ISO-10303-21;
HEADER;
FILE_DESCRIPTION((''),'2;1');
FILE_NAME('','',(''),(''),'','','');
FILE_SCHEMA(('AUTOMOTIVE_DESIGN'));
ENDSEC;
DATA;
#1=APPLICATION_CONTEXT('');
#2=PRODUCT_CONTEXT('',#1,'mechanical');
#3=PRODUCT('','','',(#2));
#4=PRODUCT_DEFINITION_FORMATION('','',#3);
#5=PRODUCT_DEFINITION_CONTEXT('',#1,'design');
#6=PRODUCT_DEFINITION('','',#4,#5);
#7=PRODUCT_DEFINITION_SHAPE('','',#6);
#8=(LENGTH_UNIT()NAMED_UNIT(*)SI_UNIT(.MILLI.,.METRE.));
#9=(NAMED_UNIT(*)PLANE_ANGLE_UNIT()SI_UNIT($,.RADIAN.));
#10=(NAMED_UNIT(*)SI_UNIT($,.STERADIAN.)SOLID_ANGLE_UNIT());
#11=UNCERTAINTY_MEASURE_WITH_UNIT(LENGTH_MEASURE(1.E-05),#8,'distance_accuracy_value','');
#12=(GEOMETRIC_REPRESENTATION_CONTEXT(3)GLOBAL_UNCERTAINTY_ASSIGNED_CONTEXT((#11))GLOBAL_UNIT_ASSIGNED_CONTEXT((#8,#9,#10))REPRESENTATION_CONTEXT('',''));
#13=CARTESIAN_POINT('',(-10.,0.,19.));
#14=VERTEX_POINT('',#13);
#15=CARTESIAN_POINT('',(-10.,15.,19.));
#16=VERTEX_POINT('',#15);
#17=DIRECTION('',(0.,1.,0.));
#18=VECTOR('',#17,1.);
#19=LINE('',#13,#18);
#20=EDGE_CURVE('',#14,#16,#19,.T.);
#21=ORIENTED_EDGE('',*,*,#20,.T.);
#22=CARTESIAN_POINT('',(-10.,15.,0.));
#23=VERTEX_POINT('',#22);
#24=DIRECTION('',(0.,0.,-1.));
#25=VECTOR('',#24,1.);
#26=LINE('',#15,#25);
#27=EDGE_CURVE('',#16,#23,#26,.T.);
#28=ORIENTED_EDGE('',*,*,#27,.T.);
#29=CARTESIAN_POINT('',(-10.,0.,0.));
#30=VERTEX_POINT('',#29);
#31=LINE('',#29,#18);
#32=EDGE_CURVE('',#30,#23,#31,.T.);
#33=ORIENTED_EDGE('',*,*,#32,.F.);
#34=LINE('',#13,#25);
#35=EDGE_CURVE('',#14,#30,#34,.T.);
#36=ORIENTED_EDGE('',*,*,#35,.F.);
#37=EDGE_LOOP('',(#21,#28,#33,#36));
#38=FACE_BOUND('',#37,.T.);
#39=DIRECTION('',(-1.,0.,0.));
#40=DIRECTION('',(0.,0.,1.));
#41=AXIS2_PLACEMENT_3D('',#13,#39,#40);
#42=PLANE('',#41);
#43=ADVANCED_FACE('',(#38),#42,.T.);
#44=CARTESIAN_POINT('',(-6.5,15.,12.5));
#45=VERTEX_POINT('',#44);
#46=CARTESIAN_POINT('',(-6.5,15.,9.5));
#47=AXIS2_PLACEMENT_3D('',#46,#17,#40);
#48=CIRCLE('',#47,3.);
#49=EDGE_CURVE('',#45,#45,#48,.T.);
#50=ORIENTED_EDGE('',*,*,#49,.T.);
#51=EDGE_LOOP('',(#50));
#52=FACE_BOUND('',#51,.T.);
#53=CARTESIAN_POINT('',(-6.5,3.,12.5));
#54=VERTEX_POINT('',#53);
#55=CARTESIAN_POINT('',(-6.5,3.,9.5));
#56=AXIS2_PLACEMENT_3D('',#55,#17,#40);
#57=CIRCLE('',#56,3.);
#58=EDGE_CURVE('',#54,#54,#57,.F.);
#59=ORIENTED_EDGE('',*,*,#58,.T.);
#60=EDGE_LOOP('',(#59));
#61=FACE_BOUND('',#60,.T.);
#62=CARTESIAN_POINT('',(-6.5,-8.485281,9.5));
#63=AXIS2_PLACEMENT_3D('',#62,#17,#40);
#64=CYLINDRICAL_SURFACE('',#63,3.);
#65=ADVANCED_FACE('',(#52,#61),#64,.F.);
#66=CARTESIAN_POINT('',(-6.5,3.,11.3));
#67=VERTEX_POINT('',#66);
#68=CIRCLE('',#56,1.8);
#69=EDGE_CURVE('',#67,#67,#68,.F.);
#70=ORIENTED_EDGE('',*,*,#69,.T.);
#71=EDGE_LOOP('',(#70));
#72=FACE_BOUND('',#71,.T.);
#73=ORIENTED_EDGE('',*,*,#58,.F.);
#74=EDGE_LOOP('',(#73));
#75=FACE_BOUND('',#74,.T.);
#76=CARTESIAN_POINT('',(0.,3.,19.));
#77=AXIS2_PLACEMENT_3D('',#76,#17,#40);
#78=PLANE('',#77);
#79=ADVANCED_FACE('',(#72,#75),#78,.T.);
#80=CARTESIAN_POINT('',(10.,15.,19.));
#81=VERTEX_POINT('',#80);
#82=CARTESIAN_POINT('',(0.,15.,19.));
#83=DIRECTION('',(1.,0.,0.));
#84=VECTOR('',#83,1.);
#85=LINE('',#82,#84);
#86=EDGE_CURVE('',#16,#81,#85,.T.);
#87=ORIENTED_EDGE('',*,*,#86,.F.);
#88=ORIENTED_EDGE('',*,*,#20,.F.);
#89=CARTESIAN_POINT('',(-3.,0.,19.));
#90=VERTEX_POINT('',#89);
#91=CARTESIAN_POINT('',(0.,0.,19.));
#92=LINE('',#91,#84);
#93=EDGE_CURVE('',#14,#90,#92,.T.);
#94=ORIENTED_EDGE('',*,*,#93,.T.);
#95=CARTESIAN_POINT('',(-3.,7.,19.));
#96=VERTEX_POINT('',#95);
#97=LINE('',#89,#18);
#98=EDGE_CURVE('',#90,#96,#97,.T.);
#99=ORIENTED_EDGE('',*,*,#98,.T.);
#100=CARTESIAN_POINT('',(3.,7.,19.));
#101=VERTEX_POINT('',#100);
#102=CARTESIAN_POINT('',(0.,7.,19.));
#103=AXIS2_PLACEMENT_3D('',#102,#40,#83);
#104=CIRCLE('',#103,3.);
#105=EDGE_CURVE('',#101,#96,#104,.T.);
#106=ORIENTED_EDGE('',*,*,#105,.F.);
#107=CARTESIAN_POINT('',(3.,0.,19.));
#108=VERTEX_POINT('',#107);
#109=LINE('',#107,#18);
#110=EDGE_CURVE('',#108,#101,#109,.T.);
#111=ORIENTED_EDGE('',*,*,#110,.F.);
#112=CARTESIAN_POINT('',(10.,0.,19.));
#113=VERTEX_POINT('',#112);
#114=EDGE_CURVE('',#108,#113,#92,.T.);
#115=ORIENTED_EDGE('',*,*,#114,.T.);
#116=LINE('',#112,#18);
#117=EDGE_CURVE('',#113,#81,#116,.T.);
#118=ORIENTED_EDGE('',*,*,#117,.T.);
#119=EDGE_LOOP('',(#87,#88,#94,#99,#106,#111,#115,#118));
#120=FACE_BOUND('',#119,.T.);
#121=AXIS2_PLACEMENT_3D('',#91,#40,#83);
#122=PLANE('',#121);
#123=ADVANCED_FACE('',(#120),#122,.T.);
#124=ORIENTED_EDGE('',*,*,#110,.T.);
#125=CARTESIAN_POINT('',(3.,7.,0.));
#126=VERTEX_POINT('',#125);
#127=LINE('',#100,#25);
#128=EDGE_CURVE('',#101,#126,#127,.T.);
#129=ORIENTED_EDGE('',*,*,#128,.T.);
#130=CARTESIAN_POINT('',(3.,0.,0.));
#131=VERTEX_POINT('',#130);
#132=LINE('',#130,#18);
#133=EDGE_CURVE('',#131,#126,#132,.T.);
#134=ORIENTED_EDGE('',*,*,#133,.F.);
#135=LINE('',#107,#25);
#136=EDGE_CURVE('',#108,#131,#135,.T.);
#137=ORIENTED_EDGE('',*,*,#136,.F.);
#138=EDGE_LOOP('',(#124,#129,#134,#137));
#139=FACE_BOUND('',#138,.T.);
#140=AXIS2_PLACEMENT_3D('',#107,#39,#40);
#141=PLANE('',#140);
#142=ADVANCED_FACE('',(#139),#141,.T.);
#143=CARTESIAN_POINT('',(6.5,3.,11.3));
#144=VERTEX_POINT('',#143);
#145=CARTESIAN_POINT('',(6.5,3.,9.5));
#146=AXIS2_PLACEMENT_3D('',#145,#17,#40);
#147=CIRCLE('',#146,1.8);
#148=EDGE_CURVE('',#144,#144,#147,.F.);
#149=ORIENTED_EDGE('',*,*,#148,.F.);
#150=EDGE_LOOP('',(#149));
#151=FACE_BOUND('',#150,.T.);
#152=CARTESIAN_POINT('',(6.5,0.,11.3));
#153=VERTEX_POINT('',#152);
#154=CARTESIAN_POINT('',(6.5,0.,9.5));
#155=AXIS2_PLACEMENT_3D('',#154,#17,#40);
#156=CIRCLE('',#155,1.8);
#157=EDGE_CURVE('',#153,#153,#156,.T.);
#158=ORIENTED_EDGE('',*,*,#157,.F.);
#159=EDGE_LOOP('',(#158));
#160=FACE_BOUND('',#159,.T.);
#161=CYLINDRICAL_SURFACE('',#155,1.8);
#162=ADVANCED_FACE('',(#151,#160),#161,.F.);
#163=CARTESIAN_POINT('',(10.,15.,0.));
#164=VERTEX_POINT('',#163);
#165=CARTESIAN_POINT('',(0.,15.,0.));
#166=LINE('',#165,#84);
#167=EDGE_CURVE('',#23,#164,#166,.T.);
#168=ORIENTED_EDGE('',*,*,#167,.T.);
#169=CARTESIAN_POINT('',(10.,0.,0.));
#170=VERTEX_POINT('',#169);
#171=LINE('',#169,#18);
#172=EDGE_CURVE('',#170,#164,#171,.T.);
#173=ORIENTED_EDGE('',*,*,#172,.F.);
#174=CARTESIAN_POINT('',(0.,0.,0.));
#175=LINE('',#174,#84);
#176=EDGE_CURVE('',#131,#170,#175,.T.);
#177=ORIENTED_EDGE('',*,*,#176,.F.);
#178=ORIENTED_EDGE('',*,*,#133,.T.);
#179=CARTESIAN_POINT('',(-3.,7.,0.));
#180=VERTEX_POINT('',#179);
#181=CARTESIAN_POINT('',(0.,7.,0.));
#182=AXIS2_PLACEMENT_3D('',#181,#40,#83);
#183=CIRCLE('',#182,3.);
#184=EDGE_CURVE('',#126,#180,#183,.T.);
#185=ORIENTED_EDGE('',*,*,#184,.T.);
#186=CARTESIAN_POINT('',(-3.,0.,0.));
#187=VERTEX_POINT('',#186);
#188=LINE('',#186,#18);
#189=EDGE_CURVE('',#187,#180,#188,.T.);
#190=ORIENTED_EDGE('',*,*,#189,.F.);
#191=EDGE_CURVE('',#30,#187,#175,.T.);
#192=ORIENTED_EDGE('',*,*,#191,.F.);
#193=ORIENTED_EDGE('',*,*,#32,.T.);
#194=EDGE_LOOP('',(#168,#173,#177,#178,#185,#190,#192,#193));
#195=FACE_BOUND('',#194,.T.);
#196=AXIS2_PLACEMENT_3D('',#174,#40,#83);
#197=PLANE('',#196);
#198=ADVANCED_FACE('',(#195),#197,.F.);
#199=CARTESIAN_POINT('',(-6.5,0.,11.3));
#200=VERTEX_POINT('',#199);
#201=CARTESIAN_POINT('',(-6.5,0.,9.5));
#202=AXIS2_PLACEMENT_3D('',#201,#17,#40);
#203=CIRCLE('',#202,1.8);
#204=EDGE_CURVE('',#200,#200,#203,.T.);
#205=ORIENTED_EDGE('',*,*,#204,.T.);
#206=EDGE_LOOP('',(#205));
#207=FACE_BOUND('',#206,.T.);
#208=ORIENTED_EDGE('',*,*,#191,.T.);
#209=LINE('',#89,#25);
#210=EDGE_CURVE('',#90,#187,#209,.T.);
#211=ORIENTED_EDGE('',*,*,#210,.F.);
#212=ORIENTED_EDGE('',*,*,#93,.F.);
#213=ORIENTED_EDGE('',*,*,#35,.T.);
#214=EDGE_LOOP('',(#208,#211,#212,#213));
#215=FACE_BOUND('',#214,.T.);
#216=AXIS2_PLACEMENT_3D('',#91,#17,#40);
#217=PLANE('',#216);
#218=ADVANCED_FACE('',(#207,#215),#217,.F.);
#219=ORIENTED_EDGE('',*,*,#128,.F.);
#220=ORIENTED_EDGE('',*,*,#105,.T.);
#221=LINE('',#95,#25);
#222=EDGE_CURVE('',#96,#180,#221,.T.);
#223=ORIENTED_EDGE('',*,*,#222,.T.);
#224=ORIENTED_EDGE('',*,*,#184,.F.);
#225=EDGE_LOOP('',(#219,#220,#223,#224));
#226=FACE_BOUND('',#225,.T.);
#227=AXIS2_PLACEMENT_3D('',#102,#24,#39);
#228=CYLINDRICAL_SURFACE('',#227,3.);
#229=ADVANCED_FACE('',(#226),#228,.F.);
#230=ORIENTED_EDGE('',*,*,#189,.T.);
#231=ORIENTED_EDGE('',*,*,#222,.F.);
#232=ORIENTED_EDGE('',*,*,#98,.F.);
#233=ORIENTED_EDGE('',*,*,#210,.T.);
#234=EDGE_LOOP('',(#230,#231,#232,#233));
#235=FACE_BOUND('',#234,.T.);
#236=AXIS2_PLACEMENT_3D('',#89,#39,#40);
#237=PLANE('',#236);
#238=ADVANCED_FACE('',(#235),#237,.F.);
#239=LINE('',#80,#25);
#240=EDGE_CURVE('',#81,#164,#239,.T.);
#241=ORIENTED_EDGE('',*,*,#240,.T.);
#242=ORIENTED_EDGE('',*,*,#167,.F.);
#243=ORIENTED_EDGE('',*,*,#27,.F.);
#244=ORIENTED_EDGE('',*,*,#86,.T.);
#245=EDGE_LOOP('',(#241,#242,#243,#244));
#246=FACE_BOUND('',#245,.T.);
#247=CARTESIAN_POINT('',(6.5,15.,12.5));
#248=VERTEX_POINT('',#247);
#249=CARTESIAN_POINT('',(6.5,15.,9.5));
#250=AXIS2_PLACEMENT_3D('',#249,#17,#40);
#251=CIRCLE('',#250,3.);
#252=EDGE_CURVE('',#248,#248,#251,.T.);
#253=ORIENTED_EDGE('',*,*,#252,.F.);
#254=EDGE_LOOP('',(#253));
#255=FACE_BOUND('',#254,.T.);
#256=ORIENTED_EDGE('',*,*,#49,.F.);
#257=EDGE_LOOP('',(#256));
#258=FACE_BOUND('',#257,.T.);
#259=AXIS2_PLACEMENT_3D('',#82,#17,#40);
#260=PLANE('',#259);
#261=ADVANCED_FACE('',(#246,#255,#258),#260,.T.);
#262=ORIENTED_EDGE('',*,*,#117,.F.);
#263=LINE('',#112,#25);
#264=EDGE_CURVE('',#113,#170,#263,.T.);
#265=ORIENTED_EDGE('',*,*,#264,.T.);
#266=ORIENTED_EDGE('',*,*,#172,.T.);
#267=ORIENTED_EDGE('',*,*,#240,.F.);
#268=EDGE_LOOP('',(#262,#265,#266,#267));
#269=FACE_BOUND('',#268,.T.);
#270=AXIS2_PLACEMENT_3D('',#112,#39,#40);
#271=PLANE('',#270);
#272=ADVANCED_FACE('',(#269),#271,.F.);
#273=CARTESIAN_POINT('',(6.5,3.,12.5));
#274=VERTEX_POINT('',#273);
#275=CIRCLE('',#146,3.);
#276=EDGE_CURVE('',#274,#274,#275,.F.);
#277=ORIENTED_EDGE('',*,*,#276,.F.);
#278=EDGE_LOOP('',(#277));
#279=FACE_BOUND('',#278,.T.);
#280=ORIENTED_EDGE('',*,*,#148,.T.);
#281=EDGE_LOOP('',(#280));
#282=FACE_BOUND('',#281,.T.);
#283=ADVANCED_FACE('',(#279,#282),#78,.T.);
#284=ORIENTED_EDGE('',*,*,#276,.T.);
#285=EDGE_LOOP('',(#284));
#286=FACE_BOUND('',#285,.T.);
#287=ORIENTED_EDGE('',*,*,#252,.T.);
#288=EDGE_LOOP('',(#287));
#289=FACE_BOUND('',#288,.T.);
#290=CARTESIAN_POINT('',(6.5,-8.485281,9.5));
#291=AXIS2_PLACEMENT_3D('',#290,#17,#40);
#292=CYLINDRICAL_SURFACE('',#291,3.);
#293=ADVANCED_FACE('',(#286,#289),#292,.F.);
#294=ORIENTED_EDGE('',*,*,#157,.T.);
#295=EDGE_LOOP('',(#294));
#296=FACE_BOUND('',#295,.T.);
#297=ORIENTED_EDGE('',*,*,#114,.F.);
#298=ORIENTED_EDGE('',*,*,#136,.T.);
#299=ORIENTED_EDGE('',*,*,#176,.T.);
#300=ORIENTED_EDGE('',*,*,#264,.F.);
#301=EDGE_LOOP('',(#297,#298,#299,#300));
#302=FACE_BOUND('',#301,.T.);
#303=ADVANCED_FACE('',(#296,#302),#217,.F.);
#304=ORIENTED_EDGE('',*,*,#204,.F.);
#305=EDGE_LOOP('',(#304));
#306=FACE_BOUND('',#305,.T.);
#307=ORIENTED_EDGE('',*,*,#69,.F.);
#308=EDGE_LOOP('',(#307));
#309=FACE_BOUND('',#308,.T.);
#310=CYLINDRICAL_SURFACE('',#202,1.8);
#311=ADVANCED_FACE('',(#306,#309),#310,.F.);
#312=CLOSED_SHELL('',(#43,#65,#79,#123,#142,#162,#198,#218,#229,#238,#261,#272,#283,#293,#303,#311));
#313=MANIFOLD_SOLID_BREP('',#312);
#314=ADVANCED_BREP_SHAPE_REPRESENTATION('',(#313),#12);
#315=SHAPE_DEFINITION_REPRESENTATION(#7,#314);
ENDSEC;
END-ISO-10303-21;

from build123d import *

# Parameters (mm, degrees)
BOSS_EXTRUDE1_DEPTH = 19
SKETCH2_R           = 1.8
CUT_EXTRUDE1_DEPTH  = 27.191601707
SKETCH2_3_R         = 3
SKETCH2_3_R_2       = 1.8
CUT_EXTRUDE2_DEPTH  = 12


with BuildPart() as part:
    # Sketch1 → Boss-Extrude1 (new body)
    with BuildSketch(Plane.XY):
        with BuildLine():
            Line((-10, 0), (-10, 15))
            Line((-10, 15), (10, 15))
            Line((10, 15), (10, 0))
            Line((10, 0), (3, 0))
            Line((3, 0), (3, 7))
            ThreePointArc((3, 7), (0, 10), (-3, 7))
            Line((-3, 7), (-3, 0))
            Line((-3, 0), (-10, 0))
        make_face()
    extrude(amount=BOSS_EXTRUDE1_DEPTH)

    # Sketch2 → Cut-Extrude1 (cut, through all)
    with BuildSketch(Plane(origin=(0, 15, 0), x_dir=(1, 0, 0), z_dir=(0, 1, 0))):
        with Locations(Location((-6.5, -9.5, 0), (0, 0, 270))):
            Circle(SKETCH2_R)
        with Locations(Location((6.5, -9.5, 0), (0, 0, 270))):
            Circle(SKETCH2_R)
    extrude(amount=-CUT_EXTRUDE1_DEPTH, mode=Mode.SUBTRACT)

    # Sketch2<3> → Cut-Extrude2 (cut)
    # profile 1 of 2: a face of its own
    with BuildSketch(Plane(origin=(0, 15, 0), x_dir=(1, 0, 0), z_dir=(0, 1, 0))):
        with Locations(Location((-6.5, -9.5, 0), (0, 0, 270))):
            Circle(SKETCH2_3_R)
        with Locations(Location((-6.5, -9.5, 0), (0, 0, 270))):
            Circle(SKETCH2_3_R_2, mode=Mode.SUBTRACT)
    # profile 2 of 2: a face of its own
    with BuildSketch(Plane(origin=(0, 15, 0), x_dir=(1, 0, 0), z_dir=(0, 1, 0))):
        with Locations(Location((6.5, -9.5, 0), (0, 0, 270))):
            Circle(SKETCH2_3_R)
        with Locations(Location((6.5, -9.5, 0), (0, 0, 270))):
            Circle(SKETCH2_3_R_2, mode=Mode.SUBTRACT)
    extrude(amount=-CUT_EXTRUDE2_DEPTH, mode=Mode.SUBTRACT)


solid = part.part
